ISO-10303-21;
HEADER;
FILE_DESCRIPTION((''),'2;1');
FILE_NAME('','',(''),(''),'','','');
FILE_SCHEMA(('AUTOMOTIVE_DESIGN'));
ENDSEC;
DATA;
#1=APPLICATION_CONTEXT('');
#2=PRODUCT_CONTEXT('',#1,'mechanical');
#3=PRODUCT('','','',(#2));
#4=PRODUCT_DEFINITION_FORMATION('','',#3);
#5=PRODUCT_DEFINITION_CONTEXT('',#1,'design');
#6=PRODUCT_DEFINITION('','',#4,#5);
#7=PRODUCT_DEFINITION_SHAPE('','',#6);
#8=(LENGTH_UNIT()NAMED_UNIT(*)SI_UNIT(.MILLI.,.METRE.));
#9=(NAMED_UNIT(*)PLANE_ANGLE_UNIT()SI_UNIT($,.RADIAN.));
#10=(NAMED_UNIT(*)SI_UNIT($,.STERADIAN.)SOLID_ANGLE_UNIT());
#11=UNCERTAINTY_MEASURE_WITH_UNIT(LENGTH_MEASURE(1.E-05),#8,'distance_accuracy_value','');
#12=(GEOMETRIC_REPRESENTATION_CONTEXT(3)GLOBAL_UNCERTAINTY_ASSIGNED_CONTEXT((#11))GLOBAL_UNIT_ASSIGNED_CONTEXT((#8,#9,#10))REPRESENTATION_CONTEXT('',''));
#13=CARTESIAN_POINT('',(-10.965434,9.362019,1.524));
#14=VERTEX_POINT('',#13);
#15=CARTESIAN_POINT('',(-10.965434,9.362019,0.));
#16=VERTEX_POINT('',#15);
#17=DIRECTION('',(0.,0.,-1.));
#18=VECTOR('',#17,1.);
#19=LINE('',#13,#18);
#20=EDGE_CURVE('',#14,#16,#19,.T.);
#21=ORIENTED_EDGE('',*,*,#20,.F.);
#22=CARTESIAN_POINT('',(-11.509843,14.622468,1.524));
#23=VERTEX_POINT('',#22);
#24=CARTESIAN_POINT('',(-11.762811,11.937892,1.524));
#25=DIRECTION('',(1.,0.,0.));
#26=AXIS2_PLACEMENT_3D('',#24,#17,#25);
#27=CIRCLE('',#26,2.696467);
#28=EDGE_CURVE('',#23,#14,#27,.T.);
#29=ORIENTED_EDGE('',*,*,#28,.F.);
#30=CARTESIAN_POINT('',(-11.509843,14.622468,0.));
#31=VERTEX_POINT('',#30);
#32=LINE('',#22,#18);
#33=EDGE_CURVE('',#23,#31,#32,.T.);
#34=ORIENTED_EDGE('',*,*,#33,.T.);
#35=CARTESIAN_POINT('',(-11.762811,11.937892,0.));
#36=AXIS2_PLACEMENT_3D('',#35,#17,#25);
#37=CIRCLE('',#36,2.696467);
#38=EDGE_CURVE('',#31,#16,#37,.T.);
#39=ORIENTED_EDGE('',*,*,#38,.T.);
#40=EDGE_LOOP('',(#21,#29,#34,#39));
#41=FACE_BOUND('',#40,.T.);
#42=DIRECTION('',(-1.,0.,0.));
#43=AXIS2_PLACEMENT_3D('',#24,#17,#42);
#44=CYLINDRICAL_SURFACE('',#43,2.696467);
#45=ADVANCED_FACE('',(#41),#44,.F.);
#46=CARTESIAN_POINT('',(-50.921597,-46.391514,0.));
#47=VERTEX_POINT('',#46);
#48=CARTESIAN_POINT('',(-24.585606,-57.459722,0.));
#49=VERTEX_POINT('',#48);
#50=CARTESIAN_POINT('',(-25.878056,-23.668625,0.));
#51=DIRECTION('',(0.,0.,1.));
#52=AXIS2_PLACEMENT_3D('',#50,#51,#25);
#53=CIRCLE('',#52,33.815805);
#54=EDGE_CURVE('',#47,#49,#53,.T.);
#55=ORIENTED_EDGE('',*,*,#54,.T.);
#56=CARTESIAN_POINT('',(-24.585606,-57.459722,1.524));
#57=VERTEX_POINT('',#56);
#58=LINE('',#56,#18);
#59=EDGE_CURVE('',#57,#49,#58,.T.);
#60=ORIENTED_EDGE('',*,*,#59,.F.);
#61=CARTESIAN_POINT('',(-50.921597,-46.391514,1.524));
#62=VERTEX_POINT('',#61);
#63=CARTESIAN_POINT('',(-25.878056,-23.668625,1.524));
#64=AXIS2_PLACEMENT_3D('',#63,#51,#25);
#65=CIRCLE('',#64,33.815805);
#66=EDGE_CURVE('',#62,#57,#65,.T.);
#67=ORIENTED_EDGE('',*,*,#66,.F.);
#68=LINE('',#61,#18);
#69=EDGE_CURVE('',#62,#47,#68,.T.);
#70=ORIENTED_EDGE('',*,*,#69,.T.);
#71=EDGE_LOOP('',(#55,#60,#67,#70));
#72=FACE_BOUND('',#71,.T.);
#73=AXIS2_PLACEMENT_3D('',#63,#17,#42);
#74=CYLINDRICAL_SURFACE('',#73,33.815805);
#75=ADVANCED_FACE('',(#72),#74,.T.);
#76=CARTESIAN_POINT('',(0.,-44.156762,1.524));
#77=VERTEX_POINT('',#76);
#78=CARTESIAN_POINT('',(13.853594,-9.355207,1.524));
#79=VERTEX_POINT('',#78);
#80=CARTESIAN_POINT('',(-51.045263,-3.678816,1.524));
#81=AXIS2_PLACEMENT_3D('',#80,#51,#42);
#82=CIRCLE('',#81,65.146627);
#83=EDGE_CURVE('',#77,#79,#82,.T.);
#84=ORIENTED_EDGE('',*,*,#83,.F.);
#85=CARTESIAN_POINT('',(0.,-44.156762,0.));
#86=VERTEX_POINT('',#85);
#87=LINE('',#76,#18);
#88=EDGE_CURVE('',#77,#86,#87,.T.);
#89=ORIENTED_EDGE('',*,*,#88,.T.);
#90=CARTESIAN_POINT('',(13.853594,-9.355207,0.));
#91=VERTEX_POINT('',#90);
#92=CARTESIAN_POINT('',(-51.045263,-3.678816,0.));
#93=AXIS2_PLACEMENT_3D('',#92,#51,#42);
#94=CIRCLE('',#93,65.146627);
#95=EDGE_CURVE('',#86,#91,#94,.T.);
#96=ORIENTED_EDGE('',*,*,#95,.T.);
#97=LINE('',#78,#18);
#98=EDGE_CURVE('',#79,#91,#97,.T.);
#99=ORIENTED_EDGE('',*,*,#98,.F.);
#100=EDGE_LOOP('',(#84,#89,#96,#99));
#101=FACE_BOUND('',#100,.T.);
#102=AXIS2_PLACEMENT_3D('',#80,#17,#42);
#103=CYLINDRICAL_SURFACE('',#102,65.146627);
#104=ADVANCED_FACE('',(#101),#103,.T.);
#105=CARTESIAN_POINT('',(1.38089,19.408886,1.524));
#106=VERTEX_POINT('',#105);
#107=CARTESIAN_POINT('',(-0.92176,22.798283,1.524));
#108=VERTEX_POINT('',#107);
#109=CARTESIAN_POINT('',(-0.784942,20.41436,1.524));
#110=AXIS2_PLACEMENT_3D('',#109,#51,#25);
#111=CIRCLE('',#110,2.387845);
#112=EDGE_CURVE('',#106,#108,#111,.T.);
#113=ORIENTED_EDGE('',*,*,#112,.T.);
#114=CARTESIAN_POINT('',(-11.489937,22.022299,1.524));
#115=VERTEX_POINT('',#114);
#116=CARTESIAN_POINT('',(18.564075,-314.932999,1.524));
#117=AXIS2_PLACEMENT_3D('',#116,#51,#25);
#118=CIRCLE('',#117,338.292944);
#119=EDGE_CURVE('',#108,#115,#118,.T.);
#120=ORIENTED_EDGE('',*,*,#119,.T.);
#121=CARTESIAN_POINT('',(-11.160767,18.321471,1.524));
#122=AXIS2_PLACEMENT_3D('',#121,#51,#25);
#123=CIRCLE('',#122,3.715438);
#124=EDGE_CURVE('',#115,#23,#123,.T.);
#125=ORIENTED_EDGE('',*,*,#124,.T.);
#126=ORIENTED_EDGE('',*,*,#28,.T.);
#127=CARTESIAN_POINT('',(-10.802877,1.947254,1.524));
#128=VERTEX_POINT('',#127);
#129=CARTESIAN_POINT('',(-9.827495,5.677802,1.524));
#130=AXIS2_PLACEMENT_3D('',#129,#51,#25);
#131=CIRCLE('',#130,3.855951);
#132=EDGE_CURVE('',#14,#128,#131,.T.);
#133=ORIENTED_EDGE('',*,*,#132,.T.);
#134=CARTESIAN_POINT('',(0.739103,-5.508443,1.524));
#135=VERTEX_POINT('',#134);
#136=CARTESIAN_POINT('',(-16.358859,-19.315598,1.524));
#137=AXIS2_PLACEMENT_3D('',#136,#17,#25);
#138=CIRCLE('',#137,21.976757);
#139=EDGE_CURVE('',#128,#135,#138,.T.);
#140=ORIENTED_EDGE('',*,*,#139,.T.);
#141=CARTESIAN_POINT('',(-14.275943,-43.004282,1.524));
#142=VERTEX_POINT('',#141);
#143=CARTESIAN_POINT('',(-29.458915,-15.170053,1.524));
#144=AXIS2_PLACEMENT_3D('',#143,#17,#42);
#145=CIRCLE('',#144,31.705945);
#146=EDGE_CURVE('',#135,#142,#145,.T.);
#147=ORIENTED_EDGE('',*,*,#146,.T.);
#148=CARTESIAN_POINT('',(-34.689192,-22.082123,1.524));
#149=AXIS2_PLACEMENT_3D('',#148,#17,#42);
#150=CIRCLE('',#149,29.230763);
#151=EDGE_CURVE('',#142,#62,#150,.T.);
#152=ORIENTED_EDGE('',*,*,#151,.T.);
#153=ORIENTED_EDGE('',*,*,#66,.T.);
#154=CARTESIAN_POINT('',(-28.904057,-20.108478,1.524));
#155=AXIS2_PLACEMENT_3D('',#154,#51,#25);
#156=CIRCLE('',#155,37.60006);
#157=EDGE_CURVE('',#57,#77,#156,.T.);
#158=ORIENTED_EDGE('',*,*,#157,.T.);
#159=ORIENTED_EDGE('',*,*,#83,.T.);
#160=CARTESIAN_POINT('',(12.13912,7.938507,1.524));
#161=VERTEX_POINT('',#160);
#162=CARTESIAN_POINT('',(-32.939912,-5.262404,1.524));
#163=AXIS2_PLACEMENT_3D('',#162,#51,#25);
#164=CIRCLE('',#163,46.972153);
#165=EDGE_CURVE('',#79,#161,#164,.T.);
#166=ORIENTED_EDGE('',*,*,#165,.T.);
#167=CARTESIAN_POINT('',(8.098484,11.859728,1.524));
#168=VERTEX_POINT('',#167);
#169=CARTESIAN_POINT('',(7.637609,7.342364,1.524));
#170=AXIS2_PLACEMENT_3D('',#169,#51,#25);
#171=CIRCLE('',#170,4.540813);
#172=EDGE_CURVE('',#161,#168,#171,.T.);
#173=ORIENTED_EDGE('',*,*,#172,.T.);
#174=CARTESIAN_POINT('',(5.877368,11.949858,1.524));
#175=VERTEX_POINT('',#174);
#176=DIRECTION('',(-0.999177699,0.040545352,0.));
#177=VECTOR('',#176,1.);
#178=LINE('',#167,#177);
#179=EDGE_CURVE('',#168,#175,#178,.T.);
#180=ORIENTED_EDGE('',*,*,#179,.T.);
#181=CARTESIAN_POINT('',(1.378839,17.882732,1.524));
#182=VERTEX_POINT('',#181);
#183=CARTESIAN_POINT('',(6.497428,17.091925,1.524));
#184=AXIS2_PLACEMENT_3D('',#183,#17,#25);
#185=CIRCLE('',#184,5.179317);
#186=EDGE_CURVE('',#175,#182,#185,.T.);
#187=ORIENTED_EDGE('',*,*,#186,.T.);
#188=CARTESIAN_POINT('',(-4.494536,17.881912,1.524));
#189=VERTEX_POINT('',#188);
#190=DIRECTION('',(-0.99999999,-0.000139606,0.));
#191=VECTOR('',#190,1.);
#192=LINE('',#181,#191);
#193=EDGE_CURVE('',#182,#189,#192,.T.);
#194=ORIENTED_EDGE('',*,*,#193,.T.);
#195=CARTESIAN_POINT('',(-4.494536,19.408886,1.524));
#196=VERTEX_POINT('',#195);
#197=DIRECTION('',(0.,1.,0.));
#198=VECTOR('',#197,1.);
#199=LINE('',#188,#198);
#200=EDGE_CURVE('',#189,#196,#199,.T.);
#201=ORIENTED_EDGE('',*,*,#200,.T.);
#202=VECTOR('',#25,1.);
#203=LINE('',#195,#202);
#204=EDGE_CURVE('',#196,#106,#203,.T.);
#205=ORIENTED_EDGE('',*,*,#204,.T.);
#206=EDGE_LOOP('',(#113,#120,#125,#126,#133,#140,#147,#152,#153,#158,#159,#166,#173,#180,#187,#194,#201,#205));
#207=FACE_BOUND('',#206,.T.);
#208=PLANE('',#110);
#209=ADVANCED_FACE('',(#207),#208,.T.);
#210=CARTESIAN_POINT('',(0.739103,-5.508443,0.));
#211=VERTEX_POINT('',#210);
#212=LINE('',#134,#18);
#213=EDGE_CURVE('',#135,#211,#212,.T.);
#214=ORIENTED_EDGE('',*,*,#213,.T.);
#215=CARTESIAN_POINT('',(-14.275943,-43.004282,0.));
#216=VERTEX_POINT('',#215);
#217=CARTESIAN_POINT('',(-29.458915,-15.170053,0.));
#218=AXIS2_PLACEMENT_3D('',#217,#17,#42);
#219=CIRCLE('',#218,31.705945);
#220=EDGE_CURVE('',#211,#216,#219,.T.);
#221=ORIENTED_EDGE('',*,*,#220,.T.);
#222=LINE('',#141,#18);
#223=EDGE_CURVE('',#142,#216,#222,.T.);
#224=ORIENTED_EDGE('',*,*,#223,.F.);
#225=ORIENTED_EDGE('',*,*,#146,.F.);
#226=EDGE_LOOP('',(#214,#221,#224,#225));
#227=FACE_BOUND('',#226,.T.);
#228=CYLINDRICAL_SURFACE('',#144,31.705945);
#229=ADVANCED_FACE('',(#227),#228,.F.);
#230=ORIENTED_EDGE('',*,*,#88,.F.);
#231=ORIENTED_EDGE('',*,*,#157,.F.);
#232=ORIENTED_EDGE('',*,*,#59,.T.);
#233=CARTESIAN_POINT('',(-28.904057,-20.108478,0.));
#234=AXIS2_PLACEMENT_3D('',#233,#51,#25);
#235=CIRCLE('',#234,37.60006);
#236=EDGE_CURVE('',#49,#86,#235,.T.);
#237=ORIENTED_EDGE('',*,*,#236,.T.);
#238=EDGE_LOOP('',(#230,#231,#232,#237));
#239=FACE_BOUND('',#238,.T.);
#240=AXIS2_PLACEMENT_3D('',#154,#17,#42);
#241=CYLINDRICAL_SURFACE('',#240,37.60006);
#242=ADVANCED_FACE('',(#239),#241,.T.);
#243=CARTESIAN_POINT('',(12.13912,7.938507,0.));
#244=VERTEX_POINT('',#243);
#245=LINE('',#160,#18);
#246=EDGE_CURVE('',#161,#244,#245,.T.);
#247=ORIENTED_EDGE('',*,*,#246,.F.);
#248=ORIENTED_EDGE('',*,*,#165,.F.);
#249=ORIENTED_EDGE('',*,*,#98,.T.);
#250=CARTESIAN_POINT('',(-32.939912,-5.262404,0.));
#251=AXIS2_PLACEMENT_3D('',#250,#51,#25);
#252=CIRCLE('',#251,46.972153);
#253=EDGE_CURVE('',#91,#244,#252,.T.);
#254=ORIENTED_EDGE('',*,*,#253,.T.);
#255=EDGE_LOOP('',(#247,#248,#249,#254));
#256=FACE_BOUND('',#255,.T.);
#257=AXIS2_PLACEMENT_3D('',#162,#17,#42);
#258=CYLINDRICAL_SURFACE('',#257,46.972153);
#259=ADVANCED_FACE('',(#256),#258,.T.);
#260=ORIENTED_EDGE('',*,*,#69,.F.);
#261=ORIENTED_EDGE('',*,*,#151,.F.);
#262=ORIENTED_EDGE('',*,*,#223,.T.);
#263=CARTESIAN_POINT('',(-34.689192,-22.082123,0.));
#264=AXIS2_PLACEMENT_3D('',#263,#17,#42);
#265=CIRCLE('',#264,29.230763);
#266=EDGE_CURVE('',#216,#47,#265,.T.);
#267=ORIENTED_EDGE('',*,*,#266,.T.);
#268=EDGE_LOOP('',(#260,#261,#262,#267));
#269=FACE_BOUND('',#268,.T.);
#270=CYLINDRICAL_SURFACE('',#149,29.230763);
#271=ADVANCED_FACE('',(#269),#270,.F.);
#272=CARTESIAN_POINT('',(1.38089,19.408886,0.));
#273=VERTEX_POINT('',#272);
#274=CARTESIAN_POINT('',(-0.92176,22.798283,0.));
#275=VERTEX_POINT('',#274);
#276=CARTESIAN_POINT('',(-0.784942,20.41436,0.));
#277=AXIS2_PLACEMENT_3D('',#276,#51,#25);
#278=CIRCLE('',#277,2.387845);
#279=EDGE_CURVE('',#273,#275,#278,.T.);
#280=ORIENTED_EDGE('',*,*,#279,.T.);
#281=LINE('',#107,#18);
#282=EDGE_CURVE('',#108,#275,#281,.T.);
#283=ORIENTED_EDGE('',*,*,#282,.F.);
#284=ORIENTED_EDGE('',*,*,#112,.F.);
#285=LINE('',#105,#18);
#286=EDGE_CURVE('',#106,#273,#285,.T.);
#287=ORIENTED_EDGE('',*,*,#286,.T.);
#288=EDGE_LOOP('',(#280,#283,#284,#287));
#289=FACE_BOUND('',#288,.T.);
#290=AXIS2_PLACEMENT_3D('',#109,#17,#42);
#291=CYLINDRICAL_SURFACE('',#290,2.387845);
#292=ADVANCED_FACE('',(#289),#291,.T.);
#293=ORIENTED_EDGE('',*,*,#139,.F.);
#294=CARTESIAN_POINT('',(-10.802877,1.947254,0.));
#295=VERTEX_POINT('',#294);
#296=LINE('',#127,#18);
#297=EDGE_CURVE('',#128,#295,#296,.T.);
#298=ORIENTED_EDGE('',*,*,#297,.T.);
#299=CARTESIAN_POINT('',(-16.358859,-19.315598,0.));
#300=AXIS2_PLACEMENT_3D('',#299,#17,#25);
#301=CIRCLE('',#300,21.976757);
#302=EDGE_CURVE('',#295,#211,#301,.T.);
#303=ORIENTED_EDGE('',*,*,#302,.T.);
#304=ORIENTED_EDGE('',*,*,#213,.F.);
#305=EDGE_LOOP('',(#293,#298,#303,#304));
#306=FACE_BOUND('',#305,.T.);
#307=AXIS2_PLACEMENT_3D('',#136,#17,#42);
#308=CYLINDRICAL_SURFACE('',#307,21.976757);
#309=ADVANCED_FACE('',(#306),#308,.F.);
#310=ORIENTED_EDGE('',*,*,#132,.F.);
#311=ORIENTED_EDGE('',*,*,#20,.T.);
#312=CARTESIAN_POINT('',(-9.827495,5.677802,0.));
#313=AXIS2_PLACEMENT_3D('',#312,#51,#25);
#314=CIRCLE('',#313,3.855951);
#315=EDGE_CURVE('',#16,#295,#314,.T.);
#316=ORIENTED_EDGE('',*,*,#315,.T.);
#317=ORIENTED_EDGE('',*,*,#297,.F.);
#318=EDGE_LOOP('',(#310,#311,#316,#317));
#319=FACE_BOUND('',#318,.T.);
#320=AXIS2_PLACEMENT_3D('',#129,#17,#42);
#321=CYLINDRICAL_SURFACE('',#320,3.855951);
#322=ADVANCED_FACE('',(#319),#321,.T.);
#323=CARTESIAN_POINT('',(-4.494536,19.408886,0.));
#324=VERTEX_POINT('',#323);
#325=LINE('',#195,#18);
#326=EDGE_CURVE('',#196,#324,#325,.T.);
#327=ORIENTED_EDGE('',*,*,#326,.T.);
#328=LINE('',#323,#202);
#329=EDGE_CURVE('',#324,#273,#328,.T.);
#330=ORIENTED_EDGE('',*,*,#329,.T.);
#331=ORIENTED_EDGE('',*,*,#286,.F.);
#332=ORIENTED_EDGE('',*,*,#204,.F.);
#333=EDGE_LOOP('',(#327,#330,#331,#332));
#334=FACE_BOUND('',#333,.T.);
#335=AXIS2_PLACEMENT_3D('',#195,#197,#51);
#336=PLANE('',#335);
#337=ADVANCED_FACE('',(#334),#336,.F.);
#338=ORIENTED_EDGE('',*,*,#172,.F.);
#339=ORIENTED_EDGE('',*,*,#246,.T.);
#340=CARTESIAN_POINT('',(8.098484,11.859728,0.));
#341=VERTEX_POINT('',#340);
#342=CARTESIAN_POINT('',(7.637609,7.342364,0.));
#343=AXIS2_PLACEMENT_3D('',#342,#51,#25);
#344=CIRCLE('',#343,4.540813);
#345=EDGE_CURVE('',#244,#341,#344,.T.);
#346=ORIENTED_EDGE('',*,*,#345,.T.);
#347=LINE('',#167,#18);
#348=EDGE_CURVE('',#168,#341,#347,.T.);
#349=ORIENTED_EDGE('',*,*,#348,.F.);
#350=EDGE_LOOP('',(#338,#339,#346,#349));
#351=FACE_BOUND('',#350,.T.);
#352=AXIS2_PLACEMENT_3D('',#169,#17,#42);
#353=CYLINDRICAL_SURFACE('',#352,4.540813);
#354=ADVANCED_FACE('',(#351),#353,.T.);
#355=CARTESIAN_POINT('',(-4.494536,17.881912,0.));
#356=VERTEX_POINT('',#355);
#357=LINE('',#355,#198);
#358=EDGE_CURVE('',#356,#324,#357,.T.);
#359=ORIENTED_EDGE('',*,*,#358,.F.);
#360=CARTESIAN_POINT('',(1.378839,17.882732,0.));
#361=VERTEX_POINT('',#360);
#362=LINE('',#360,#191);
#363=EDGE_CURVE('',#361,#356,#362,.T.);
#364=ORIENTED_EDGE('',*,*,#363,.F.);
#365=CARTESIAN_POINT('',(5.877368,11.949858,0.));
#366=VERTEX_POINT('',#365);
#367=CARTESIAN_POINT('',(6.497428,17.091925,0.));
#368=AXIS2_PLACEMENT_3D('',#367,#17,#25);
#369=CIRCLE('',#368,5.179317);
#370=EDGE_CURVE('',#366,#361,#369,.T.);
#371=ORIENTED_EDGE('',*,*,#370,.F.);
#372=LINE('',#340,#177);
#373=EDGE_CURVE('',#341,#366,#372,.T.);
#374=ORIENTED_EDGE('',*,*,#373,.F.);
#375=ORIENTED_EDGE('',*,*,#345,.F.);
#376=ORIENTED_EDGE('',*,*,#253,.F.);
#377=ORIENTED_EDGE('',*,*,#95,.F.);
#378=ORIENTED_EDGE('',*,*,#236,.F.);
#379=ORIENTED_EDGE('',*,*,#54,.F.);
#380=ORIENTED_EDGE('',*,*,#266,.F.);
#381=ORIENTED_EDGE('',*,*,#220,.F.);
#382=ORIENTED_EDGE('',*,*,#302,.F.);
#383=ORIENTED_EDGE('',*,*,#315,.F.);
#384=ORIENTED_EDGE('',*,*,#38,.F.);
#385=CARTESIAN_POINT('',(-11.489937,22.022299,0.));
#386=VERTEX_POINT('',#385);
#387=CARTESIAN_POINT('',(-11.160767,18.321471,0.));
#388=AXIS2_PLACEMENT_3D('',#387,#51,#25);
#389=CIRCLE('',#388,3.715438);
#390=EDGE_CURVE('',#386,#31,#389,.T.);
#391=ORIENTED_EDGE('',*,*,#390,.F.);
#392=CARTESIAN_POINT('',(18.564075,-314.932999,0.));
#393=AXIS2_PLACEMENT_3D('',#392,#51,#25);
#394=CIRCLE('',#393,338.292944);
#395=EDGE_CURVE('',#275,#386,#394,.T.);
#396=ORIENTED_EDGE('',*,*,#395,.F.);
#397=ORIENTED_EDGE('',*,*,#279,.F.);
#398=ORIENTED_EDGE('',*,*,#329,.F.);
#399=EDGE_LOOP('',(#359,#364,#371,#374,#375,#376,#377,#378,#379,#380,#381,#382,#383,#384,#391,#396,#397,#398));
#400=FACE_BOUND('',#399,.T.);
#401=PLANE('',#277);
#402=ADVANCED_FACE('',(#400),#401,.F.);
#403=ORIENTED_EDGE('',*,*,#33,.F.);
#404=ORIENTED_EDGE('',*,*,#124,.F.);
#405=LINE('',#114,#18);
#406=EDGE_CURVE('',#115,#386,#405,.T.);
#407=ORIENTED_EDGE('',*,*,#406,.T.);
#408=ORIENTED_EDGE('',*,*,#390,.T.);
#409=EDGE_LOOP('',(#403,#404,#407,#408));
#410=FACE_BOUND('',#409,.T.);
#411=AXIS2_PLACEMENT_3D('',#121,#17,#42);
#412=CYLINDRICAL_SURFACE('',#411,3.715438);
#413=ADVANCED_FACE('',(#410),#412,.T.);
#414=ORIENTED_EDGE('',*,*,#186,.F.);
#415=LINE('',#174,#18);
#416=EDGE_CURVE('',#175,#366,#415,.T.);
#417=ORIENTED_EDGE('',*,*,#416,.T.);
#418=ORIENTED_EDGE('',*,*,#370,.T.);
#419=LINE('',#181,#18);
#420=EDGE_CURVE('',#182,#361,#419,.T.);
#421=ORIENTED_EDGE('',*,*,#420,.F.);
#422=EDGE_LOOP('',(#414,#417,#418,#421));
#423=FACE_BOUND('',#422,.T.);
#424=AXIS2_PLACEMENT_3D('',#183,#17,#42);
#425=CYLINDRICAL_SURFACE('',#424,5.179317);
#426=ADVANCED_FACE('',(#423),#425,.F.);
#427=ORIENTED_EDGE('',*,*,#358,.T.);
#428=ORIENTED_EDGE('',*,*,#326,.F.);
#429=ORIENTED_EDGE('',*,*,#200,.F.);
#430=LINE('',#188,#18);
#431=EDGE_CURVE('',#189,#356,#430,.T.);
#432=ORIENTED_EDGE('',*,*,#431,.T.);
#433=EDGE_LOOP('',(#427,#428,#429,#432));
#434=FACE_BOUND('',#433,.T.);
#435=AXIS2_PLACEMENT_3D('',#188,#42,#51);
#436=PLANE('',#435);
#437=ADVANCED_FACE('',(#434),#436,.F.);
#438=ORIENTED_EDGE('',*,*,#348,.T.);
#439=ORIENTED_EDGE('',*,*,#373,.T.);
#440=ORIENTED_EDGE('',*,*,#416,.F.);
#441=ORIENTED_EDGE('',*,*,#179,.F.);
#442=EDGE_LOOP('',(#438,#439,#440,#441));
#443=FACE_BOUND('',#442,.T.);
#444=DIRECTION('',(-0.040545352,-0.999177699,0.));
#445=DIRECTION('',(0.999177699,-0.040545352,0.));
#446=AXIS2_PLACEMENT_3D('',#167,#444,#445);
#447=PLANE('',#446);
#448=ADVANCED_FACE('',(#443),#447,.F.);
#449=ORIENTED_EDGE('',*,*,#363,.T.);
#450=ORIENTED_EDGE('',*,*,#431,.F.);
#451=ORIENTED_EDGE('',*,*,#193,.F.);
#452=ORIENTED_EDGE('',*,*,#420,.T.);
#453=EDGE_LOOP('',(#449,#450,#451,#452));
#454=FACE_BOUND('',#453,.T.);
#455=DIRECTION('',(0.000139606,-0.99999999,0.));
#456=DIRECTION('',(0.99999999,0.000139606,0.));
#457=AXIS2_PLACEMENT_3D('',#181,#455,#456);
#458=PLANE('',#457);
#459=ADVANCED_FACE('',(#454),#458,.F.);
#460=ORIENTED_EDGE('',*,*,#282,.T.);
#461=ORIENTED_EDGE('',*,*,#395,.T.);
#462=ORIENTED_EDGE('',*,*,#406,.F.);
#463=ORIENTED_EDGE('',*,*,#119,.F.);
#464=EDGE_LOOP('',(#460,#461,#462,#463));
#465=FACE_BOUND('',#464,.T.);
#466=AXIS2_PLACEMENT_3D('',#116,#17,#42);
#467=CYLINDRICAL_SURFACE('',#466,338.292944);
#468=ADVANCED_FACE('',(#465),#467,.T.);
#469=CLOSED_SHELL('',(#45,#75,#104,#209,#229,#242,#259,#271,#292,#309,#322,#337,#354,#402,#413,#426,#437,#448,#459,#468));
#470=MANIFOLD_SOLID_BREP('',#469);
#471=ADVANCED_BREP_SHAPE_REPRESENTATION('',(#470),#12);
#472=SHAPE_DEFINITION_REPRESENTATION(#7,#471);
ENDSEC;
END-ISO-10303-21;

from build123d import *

# Parameters (mm, degrees)
BOSS_EXTRUDE1_DEPTH = 1.524


with BuildPart() as part:
    # Sketch1 → Boss-Extrude1 (new body)
    with BuildSketch(Plane.XY):
        with BuildLine():
            Line((8.098483712, 11.859727981), (5.877367718, 11.949858026))
            ThreePointArc((5.877367718, 11.949858026), (2.370350057, 13.962618774), (1.378838723, 17.882731524))
            Line((1.378838723, 17.882731524), (-4.494535751, 17.881911563))
            Line((-4.494535751, 17.881911563), (-4.494535751, 19.408886177))
            Line((-4.494535751, 19.408886177), (1.380889641, 19.408886177))
            ThreePointArc((1.380889641, 19.408886177), (1.19021021, 21.756216477), (-0.921759528, 22.798282696))
            ThreePointArc((-0.921759528, 22.798282696), (-6.208886665, 22.451672785), (-11.489936734, 22.022298875))
            ThreePointArc((-11.489936734, 22.022298875), (-14.876191758, 18.331465892), (-11.509843158, 14.622467604))
            ThreePointArc((-11.509843158, 14.622467604), (-9.080668933, 12.21547028), (-10.965433597, 9.362018739))
            ThreePointArc((-10.965433597, 9.362018739), (-13.682519769, 5.593287076), (-10.802877432, 1.947254215))
            ThreePointArc((-10.802877432, 1.947254215), (-4.434214721, -0.855352195), (0.739102642, -5.50844309))
            ThreePointArc((0.739102642, -5.50844309), (-0.02520916, -26.956652298), (-14.27594324, -43.004282308))
            ThreePointArc((-14.27594324, -43.004282308), (-31.998801932, -51.188810857), (-50.921597015, -46.391514323))
            ThreePointArc((-50.921597015, -46.391514323), (-38.979769068, -54.843194408), (-24.585605901, -57.4597222))
            ThreePointArc((-24.585605901, -57.4597222), (-11.010595968, -53.177928069), (0, -44.156762285))
            ThreePointArc((0, -44.156762285), (9.481977012, -27.77313527), (13.853593601, -9.35520676))
            ThreePointArc((13.853593601, -9.35520676), (13.803097482, -0.628370713), (12.139120175, 7.938507176))
            ThreePointArc((12.139120175, 7.938507176), (10.799936026, 10.60099471), (8.098483712, 11.859727981))
        make_face()
    extrude(amount=BOSS_EXTRUDE1_DEPTH)


solid = part.part
